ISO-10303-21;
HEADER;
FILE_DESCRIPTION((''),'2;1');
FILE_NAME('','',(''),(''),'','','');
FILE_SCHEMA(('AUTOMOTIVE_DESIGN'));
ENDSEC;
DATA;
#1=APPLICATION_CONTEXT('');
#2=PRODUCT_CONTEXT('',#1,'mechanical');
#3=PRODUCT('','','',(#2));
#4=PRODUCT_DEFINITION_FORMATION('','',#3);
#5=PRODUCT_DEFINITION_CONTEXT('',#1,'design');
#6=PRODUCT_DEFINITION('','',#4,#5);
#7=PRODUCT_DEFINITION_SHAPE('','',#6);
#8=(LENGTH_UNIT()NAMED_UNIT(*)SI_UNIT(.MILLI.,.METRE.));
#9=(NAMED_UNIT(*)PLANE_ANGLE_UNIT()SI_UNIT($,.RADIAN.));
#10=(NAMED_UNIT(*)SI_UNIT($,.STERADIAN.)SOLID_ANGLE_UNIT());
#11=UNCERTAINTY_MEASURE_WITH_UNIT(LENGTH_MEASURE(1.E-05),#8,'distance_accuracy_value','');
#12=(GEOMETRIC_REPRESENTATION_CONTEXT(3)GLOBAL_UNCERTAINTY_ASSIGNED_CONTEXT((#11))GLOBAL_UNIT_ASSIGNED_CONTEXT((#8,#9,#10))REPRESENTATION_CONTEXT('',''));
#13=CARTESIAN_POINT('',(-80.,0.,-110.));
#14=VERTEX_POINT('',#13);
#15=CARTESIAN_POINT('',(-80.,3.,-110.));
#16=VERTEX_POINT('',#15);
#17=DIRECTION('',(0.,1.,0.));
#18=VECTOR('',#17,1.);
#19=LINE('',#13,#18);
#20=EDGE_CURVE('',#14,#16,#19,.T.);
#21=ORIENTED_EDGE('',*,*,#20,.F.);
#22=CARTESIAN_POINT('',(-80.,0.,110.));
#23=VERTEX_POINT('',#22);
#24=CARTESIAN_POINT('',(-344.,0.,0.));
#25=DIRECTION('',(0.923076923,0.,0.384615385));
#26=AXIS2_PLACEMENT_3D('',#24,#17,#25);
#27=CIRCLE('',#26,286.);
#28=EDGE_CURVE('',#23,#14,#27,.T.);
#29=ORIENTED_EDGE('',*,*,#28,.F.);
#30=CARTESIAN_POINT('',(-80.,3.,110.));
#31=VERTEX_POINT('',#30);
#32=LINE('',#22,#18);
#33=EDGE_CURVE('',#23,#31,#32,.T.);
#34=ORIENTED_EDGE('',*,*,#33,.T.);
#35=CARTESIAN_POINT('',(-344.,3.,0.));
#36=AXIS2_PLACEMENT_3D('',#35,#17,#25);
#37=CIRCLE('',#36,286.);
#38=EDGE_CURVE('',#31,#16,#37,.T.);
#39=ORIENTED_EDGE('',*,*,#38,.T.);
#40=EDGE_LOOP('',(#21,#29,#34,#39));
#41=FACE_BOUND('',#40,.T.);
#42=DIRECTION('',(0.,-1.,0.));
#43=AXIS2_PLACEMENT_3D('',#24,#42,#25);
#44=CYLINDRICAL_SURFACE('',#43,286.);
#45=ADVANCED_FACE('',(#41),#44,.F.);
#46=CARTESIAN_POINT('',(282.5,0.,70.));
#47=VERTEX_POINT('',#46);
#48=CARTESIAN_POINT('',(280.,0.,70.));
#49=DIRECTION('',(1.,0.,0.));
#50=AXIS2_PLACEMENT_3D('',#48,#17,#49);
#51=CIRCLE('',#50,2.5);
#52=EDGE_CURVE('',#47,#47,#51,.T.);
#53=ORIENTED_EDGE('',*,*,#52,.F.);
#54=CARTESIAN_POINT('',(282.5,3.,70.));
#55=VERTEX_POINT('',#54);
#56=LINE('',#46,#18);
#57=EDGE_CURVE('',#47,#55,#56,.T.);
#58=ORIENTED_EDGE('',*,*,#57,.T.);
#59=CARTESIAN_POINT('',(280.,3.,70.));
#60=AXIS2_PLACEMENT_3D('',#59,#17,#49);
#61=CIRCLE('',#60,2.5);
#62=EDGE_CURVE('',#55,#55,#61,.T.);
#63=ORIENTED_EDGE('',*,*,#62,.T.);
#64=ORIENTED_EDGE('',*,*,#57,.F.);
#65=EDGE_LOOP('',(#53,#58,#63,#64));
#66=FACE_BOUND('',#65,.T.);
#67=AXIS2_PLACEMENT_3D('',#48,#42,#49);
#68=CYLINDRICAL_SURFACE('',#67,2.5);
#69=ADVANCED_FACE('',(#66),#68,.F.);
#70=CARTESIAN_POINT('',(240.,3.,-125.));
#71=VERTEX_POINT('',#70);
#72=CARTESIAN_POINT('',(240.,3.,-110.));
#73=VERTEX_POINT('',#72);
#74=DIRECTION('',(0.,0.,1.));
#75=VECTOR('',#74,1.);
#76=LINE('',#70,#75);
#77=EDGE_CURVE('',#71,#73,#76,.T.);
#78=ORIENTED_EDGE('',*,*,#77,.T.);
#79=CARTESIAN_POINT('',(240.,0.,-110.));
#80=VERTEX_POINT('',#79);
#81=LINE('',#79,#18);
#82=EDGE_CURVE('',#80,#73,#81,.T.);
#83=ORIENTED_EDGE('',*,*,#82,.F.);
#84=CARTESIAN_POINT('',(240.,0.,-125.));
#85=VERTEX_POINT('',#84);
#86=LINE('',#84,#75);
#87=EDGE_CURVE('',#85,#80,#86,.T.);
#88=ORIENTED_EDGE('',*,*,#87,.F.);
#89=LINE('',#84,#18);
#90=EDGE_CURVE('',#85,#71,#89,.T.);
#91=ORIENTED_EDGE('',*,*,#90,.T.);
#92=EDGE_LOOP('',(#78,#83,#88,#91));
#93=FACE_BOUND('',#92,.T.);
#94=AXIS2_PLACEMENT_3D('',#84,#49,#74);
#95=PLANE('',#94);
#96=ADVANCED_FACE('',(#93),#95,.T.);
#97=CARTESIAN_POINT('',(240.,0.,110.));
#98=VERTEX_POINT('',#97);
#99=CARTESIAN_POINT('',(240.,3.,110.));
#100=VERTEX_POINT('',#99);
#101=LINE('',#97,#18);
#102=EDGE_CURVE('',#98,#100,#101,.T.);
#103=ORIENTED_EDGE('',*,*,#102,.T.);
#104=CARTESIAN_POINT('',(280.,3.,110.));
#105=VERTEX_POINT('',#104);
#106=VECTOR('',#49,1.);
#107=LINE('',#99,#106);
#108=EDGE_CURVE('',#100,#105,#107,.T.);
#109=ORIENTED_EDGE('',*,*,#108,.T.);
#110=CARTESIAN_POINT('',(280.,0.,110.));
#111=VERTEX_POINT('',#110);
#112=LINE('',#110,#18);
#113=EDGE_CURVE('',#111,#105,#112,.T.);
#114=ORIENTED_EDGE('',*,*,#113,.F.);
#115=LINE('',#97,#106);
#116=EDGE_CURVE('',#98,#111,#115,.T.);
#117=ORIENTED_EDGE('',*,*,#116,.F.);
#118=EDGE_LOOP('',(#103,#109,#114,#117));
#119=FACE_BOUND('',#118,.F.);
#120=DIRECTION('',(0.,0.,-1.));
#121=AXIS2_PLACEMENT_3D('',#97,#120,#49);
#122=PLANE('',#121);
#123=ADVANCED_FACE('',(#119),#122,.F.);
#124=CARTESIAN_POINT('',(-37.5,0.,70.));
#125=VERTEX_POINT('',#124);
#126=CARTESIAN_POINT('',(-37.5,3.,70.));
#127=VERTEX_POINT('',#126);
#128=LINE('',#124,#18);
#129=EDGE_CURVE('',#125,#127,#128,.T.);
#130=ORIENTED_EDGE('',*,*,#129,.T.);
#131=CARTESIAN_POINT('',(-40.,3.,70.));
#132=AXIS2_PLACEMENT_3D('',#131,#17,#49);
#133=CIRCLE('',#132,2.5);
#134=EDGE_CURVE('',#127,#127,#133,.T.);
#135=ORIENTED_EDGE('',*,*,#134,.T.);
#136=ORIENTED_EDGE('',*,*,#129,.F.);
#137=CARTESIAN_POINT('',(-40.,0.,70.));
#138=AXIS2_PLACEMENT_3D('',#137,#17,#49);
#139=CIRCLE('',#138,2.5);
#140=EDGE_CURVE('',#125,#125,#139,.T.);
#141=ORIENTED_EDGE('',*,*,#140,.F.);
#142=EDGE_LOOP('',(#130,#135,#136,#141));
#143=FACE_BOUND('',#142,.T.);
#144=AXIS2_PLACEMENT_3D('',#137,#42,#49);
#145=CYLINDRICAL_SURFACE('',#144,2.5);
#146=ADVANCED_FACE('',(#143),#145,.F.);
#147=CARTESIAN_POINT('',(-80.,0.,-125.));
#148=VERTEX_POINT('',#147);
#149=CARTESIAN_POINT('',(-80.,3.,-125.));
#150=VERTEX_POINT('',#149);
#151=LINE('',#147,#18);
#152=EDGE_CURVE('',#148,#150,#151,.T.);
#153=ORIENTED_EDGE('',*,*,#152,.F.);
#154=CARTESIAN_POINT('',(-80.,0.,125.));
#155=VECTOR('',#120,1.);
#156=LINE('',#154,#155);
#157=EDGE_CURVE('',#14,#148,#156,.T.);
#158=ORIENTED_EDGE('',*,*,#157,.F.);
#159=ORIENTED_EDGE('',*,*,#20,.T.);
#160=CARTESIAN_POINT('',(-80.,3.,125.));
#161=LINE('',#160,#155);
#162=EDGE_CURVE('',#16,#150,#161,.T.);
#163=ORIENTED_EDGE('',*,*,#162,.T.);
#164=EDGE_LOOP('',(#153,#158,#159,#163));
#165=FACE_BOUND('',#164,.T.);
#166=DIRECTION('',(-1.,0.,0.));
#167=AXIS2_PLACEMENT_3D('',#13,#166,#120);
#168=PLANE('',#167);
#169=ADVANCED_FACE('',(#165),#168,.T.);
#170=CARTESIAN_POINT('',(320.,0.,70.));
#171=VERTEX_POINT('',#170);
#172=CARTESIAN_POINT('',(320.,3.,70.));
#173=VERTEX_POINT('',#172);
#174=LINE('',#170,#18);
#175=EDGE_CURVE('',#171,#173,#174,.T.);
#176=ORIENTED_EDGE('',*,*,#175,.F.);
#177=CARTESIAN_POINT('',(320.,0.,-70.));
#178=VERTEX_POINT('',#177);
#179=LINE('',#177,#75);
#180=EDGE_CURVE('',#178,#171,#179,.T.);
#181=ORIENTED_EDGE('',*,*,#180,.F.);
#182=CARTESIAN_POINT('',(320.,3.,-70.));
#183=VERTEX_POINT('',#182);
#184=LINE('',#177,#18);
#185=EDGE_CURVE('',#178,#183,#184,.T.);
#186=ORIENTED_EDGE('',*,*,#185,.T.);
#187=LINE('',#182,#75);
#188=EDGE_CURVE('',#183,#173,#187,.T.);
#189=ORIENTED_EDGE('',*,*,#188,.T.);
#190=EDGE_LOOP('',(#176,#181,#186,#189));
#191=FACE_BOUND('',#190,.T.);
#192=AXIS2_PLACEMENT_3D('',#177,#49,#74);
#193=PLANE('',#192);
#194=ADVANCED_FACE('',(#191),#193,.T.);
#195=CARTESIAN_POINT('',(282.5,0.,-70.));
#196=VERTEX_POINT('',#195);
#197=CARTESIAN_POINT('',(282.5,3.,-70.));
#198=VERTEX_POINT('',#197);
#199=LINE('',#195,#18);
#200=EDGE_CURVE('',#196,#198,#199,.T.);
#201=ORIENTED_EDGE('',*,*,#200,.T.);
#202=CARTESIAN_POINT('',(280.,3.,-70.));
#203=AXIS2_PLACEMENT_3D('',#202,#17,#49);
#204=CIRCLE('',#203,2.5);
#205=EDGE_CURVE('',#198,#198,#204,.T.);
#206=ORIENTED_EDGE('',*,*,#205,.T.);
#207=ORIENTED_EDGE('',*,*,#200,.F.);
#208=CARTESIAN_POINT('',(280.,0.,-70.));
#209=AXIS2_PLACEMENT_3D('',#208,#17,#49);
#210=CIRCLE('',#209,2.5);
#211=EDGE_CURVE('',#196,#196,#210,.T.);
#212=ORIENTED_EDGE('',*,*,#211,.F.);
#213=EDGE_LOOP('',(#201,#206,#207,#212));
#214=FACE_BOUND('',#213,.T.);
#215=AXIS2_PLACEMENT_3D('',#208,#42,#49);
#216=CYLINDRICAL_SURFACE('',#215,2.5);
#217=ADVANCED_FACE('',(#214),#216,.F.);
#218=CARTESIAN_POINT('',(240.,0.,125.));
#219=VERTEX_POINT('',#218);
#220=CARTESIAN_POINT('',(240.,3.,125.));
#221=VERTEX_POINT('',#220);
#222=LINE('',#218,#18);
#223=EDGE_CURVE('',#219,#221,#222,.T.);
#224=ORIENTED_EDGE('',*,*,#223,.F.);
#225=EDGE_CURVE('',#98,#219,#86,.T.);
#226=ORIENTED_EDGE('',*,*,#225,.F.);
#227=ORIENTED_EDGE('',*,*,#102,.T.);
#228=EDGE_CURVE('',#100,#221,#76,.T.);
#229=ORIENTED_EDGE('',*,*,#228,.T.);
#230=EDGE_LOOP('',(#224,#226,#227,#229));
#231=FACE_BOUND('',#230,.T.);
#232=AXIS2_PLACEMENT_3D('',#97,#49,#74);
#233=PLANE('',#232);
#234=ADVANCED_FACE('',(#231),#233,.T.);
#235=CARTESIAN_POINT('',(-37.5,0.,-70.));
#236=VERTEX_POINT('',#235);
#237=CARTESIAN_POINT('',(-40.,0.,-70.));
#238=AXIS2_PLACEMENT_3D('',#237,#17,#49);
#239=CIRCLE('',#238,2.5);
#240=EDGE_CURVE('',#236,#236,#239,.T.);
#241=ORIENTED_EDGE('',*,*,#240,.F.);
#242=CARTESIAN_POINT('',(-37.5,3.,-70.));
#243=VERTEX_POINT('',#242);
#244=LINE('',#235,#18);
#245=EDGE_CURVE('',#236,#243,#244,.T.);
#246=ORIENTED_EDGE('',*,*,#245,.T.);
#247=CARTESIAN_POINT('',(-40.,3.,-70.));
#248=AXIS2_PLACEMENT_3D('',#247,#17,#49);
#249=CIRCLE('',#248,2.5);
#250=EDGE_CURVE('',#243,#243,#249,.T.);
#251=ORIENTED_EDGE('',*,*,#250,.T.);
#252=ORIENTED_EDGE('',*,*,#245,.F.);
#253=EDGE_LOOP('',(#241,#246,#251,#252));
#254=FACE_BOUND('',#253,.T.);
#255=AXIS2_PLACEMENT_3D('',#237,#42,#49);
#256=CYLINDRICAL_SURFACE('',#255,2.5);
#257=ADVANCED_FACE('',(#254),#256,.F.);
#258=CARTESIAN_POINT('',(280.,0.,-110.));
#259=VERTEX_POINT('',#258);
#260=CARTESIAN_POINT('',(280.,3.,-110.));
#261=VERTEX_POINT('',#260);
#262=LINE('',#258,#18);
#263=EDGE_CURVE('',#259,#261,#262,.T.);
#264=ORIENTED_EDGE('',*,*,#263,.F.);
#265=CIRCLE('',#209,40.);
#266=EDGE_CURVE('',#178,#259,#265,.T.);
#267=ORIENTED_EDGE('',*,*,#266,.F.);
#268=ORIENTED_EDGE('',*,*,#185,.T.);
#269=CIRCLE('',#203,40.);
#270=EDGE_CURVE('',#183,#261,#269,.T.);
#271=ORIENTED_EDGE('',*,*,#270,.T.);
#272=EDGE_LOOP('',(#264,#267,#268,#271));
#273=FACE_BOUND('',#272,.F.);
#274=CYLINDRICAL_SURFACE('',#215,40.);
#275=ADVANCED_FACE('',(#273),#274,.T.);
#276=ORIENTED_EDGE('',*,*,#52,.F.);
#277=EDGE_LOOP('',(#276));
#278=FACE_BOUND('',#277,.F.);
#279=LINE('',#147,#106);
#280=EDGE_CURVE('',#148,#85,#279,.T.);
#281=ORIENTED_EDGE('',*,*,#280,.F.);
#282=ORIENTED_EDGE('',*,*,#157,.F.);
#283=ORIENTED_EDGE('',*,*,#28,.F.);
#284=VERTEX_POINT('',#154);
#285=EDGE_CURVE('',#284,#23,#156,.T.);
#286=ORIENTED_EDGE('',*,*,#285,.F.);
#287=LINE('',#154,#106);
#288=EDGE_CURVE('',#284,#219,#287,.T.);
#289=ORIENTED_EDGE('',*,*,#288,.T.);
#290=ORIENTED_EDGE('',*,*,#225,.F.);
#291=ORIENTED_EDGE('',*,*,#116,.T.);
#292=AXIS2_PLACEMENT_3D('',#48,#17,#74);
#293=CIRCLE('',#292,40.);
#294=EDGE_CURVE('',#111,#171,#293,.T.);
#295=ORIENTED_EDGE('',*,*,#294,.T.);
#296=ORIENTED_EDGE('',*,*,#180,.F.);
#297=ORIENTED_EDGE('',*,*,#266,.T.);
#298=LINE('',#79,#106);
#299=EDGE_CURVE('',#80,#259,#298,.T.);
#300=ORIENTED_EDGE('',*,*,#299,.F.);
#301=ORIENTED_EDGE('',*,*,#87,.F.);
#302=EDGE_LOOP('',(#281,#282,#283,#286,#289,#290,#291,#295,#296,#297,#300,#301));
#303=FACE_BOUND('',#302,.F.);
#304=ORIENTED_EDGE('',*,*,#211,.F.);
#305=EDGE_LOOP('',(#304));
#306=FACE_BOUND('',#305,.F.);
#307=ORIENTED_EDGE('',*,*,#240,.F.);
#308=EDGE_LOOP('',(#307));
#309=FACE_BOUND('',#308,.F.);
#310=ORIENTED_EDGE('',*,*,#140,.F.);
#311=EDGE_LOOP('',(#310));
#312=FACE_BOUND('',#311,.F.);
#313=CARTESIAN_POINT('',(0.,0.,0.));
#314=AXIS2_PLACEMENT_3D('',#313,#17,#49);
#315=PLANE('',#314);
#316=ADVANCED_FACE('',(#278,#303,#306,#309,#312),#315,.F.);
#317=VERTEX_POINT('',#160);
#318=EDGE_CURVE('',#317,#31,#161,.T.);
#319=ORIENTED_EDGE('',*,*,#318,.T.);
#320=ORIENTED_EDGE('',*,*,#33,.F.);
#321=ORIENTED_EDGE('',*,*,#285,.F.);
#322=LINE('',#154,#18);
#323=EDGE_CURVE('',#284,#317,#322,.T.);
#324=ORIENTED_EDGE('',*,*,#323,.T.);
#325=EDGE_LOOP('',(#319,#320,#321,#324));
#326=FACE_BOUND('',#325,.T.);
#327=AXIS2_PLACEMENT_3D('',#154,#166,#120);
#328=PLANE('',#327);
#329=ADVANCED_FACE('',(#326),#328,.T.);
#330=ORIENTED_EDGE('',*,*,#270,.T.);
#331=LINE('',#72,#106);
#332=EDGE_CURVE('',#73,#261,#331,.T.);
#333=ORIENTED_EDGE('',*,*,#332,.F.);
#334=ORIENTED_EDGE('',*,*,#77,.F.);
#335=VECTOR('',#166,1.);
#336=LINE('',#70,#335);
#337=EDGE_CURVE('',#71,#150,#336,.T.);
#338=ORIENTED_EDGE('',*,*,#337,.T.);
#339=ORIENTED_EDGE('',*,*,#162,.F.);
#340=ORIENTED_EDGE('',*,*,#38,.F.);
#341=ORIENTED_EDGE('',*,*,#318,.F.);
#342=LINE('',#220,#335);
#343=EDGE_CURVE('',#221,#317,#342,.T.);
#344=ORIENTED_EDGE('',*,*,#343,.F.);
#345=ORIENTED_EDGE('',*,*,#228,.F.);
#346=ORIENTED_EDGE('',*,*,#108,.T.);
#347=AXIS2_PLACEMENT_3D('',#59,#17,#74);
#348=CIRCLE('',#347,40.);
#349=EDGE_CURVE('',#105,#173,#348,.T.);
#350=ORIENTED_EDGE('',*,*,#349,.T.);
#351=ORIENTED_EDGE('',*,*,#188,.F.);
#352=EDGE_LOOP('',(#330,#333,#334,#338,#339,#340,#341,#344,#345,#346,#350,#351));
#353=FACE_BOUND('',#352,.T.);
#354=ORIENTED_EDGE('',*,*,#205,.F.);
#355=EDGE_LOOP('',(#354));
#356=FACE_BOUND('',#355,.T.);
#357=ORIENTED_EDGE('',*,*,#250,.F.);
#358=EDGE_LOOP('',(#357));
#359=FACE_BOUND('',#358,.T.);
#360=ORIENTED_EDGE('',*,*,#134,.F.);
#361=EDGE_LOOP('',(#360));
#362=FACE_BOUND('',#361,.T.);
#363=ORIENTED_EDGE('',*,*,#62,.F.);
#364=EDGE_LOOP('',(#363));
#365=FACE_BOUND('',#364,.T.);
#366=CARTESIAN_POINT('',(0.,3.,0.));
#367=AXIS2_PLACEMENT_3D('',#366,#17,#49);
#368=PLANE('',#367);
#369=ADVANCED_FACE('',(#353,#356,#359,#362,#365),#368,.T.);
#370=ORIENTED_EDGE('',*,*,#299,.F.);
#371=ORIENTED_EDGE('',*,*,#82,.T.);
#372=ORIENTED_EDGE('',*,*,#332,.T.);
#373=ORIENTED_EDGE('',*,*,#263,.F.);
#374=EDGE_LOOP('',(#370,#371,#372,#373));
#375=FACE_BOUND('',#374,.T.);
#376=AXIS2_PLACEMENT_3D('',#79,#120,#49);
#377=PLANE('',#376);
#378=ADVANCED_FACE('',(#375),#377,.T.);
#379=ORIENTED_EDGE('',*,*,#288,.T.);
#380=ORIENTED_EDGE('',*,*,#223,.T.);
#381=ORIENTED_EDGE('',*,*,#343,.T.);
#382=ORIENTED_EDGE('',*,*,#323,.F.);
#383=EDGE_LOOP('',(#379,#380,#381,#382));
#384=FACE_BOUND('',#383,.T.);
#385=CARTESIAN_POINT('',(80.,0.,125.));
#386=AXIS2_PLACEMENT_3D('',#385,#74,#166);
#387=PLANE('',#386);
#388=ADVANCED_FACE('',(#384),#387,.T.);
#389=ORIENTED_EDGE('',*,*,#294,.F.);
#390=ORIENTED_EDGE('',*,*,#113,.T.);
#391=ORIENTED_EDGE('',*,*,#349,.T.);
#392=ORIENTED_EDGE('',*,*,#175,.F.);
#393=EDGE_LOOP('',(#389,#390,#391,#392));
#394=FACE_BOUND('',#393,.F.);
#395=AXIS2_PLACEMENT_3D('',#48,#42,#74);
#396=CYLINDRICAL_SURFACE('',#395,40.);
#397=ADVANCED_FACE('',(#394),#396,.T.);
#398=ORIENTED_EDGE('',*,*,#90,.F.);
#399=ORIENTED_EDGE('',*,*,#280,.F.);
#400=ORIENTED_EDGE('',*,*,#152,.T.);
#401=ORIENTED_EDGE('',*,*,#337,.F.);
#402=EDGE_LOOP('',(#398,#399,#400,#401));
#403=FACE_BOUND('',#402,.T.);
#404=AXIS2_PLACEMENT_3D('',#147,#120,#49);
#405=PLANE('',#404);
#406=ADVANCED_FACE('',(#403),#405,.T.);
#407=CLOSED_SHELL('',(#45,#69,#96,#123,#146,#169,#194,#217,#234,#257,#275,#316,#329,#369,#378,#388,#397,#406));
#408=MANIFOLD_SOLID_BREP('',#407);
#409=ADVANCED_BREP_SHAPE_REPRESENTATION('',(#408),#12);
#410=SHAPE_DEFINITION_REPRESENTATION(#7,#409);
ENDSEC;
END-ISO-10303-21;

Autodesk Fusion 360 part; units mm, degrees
sketch "Sketch1" plane through (0, 0, 0) normal (0, 1, 0) x (1, 0, 0)
  line L0 (80, -125) -> (-80, -125)
  line L1 (-80, -125) -> (-80, 125)
  line L2 (-80, 125) -> (80, 125)
  line L3 (80, 125) -> (80, -125)
  line L4 (80, -125) -> (-80, 125) construction
  line L5 (-80, -125) -> (80, 125) construction
  line L6 (80, 125) -> (240, 125)
  line L7 (240, 125) -> (240, -125)
  line L8 (240, -125) -> (80, -125)
  line L9 (80, -125) -> (80, 125)
  line L10 (240, 110) -> (280, 110)
  line L11 (2.5, 0) -> (20, 0)
  line L12 (240, -110) -> (280, -110)
  line L13 (320, 70) -> (320, -70)
  arc A0 (-80, -110) -> (-80, 110) centre (-344, 0) ccw
  line L14 (0, 0) -> (-80, 0) construction
  arc A1 (320, 70) -> (280, 110) centre (280, 70) ccw
  arc A2 (280, -110) -> (320, -70) centre (280, -70) ccw
  line L15 (280, 70) -> (-271.7196, 70) construction
  line L16 (280, -70) -> (-262.1178, -70) construction
  circle A3 centre (280, 70) radius 2.5
  circle A4 centre (280, -70) radius 2.5
  circle A5 centre (-40, 70) radius 2.5
  circle A6 centre (-40, -70) radius 2.5
  point P0 (320, 110)
  point P1 (-80, 110)
  point P2 (-80, -110)
  point P3 (-58, 0)
  dimension "d1" = 160
  dimension "d2" = 250
  dimension "d3" = 160
  dimension "d4" = 80
  dimension "d5" = 15
  dimension "d6" = 15
  dimension "d7" = 15
  dimension "d8" = 22
  dimension "d9" = 40
  dimension "d10" = 5
  dimension "d11" = 5
  dimension "d12" = 5
  dimension "d13" = 5
  dimension "d14" = 40
  dimension "d15" = 40
extrude "Extrude1" add sketch "Sketch1" along normal blind 3 contours L0 L1 L2 L3 L9 A0 | L3 L6 L7 L8 L9 | L7 L10 L12 L13 A1 A2
sketch "Sketch2" plane through (0, 0, 0) normal (0, 1, 0) x (1, 0, 0)
  circle A0 centre (280, 70) radius 2.5
  circle A1 centre (-40, -70) radius 2.5
  circle A2 centre (-40, 70) radius 2.5
  circle A3 centre (280, -70) radius 2.5
  line L0 (240, -110) -> (280, -110)
  arc A4 (280, -110) -> (320, -70) centre (280, -70) ccw
  line L1 (320, -70) -> (320, 70)
  arc A5 (320, 70) -> (280, 110) centre (280, 70) ccw
  line L2 (280, 110) -> (240, 110)
  line L3 (240, 110) -> (240, 125)
  line L4 (240, 125) -> (-80, 125)
  line L5 (-80, 125) -> (-80, 110)
  arc A6 (-80, -110) -> (-80, 110) centre (-344, 0) ccw
  line L6 (-80, -110) -> (-80, -125)
  line L7 (-80, -125) -> (240, -125)
  line L8 (240, -125) -> (240, -110)
